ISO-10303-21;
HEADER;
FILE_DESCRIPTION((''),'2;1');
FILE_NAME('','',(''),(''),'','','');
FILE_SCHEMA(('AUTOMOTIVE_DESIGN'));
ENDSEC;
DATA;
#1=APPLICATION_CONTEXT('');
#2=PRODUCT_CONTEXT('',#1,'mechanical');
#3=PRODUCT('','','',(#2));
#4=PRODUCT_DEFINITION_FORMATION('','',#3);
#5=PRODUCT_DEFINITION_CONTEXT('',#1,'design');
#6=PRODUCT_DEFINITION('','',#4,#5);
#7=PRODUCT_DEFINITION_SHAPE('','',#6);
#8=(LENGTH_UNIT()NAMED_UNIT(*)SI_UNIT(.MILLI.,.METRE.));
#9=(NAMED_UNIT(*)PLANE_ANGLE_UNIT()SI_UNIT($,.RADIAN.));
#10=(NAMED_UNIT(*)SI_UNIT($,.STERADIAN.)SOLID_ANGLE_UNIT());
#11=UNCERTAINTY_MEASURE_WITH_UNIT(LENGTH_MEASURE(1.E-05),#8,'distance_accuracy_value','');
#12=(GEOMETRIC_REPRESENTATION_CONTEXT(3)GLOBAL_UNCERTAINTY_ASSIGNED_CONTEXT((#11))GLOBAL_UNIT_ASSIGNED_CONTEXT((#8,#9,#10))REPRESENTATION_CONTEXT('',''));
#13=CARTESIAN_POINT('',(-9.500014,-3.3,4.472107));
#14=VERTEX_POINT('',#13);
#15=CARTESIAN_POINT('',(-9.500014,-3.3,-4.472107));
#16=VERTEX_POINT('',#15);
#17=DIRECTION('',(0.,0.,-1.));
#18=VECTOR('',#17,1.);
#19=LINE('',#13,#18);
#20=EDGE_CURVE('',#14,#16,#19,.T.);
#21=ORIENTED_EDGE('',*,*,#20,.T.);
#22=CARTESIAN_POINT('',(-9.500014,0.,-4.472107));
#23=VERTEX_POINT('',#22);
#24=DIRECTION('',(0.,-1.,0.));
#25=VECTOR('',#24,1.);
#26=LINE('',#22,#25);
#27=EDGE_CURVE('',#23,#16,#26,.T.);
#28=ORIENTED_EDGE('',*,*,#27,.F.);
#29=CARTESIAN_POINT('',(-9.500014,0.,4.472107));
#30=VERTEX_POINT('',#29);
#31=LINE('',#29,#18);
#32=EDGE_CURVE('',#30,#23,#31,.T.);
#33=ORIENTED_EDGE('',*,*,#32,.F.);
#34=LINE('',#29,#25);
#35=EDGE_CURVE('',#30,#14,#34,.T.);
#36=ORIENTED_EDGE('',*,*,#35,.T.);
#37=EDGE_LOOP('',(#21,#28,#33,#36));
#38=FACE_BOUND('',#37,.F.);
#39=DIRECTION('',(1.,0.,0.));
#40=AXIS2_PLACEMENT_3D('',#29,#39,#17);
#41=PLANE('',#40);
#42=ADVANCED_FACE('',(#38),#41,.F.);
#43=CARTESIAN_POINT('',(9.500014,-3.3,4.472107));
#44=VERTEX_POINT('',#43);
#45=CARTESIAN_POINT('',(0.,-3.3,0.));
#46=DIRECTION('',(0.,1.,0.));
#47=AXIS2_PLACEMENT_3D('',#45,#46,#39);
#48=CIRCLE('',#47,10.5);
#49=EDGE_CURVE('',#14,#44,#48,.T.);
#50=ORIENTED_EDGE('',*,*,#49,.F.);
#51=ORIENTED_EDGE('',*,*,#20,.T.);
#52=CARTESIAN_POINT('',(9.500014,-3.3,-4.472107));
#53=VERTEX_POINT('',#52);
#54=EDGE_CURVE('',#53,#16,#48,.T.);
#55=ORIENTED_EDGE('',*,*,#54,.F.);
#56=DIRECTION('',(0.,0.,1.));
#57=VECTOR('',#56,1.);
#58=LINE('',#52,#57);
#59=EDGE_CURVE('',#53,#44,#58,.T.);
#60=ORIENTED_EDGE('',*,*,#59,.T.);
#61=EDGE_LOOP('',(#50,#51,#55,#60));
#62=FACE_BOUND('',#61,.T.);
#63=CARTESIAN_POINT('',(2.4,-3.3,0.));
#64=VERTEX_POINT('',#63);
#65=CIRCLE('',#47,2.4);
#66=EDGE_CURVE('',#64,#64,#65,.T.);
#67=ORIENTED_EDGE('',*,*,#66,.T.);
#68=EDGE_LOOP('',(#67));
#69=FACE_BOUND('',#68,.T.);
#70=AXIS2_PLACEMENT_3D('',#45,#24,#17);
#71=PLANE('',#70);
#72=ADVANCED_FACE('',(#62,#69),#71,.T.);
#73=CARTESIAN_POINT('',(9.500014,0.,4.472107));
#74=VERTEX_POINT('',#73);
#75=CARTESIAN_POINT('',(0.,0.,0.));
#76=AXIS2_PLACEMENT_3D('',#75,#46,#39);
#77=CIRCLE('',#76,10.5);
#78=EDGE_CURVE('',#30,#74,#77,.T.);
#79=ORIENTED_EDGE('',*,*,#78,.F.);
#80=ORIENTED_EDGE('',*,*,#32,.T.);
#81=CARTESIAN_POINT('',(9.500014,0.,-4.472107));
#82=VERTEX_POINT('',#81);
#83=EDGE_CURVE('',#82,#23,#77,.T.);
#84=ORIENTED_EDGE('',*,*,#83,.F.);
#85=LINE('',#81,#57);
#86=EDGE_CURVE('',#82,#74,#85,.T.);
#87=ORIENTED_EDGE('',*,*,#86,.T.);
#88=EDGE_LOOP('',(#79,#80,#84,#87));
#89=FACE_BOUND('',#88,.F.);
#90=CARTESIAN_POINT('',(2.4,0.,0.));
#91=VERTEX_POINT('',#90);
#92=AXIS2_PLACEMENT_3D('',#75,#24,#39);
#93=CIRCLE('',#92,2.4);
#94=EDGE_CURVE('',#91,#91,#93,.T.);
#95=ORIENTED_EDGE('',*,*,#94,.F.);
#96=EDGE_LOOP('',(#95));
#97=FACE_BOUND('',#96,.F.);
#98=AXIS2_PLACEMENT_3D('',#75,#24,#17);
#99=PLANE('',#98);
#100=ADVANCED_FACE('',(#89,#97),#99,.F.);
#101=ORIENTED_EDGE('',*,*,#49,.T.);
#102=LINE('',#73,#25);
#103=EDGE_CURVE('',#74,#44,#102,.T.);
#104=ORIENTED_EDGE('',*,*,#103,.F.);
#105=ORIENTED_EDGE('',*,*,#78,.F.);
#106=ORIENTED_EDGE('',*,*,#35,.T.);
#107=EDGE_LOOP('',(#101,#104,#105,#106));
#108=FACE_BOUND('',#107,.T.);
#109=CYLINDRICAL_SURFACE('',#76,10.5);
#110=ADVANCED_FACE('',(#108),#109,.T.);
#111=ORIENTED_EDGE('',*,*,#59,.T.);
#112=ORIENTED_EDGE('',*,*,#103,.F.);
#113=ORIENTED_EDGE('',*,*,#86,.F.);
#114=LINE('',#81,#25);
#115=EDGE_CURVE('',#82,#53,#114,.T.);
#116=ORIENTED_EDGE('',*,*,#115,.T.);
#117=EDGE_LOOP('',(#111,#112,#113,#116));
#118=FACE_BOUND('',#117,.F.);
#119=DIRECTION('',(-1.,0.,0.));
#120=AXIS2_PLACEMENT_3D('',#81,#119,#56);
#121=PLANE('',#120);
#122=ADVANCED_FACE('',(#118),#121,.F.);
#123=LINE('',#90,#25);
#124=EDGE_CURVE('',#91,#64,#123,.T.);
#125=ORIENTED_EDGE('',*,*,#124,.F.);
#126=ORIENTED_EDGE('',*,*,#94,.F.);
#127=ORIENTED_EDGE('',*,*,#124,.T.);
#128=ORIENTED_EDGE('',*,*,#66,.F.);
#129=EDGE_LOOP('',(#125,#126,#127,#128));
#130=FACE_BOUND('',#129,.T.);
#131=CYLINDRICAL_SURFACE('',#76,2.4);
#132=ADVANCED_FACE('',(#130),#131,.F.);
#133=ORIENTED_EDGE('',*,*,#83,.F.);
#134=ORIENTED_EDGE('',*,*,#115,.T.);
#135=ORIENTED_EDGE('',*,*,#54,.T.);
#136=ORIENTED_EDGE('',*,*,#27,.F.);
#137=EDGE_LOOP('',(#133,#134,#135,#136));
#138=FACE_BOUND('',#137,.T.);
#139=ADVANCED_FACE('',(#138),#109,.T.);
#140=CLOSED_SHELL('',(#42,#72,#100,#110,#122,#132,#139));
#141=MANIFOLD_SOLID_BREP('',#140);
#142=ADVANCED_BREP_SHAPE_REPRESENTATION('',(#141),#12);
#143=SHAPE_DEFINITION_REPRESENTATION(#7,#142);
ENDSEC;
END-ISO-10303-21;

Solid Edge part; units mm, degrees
sketch "Sketch1" plane through (0, 0, 0) normal (0, -1, 0) x (1, 0, 0)
  line L0 (9.5, -4.4721) -> (9.5, 4.4721)
  arc A0 (9.5, -4.4721) -> (-9.5, -4.4721) centre (0, 0) cw
  line L1 (-9.5, 4.4721) -> (-9.5, -4.4721)
  arc A1 (-9.5, 4.4721) -> (9.5, 4.4721) centre (0, 0) cw
extrude "Protrusion1" add sketch "Sketch1" along normal blind 3.3
sketch "Sketch2" plane through (0, 0, 0) normal (0, -1, 0) x (1, 0, 0)
  circle A0 centre (0, 0) radius 2.4
extrude "ScavoEstrusione_2" cut sketch "Sketch2" along normal blind 30.5561
